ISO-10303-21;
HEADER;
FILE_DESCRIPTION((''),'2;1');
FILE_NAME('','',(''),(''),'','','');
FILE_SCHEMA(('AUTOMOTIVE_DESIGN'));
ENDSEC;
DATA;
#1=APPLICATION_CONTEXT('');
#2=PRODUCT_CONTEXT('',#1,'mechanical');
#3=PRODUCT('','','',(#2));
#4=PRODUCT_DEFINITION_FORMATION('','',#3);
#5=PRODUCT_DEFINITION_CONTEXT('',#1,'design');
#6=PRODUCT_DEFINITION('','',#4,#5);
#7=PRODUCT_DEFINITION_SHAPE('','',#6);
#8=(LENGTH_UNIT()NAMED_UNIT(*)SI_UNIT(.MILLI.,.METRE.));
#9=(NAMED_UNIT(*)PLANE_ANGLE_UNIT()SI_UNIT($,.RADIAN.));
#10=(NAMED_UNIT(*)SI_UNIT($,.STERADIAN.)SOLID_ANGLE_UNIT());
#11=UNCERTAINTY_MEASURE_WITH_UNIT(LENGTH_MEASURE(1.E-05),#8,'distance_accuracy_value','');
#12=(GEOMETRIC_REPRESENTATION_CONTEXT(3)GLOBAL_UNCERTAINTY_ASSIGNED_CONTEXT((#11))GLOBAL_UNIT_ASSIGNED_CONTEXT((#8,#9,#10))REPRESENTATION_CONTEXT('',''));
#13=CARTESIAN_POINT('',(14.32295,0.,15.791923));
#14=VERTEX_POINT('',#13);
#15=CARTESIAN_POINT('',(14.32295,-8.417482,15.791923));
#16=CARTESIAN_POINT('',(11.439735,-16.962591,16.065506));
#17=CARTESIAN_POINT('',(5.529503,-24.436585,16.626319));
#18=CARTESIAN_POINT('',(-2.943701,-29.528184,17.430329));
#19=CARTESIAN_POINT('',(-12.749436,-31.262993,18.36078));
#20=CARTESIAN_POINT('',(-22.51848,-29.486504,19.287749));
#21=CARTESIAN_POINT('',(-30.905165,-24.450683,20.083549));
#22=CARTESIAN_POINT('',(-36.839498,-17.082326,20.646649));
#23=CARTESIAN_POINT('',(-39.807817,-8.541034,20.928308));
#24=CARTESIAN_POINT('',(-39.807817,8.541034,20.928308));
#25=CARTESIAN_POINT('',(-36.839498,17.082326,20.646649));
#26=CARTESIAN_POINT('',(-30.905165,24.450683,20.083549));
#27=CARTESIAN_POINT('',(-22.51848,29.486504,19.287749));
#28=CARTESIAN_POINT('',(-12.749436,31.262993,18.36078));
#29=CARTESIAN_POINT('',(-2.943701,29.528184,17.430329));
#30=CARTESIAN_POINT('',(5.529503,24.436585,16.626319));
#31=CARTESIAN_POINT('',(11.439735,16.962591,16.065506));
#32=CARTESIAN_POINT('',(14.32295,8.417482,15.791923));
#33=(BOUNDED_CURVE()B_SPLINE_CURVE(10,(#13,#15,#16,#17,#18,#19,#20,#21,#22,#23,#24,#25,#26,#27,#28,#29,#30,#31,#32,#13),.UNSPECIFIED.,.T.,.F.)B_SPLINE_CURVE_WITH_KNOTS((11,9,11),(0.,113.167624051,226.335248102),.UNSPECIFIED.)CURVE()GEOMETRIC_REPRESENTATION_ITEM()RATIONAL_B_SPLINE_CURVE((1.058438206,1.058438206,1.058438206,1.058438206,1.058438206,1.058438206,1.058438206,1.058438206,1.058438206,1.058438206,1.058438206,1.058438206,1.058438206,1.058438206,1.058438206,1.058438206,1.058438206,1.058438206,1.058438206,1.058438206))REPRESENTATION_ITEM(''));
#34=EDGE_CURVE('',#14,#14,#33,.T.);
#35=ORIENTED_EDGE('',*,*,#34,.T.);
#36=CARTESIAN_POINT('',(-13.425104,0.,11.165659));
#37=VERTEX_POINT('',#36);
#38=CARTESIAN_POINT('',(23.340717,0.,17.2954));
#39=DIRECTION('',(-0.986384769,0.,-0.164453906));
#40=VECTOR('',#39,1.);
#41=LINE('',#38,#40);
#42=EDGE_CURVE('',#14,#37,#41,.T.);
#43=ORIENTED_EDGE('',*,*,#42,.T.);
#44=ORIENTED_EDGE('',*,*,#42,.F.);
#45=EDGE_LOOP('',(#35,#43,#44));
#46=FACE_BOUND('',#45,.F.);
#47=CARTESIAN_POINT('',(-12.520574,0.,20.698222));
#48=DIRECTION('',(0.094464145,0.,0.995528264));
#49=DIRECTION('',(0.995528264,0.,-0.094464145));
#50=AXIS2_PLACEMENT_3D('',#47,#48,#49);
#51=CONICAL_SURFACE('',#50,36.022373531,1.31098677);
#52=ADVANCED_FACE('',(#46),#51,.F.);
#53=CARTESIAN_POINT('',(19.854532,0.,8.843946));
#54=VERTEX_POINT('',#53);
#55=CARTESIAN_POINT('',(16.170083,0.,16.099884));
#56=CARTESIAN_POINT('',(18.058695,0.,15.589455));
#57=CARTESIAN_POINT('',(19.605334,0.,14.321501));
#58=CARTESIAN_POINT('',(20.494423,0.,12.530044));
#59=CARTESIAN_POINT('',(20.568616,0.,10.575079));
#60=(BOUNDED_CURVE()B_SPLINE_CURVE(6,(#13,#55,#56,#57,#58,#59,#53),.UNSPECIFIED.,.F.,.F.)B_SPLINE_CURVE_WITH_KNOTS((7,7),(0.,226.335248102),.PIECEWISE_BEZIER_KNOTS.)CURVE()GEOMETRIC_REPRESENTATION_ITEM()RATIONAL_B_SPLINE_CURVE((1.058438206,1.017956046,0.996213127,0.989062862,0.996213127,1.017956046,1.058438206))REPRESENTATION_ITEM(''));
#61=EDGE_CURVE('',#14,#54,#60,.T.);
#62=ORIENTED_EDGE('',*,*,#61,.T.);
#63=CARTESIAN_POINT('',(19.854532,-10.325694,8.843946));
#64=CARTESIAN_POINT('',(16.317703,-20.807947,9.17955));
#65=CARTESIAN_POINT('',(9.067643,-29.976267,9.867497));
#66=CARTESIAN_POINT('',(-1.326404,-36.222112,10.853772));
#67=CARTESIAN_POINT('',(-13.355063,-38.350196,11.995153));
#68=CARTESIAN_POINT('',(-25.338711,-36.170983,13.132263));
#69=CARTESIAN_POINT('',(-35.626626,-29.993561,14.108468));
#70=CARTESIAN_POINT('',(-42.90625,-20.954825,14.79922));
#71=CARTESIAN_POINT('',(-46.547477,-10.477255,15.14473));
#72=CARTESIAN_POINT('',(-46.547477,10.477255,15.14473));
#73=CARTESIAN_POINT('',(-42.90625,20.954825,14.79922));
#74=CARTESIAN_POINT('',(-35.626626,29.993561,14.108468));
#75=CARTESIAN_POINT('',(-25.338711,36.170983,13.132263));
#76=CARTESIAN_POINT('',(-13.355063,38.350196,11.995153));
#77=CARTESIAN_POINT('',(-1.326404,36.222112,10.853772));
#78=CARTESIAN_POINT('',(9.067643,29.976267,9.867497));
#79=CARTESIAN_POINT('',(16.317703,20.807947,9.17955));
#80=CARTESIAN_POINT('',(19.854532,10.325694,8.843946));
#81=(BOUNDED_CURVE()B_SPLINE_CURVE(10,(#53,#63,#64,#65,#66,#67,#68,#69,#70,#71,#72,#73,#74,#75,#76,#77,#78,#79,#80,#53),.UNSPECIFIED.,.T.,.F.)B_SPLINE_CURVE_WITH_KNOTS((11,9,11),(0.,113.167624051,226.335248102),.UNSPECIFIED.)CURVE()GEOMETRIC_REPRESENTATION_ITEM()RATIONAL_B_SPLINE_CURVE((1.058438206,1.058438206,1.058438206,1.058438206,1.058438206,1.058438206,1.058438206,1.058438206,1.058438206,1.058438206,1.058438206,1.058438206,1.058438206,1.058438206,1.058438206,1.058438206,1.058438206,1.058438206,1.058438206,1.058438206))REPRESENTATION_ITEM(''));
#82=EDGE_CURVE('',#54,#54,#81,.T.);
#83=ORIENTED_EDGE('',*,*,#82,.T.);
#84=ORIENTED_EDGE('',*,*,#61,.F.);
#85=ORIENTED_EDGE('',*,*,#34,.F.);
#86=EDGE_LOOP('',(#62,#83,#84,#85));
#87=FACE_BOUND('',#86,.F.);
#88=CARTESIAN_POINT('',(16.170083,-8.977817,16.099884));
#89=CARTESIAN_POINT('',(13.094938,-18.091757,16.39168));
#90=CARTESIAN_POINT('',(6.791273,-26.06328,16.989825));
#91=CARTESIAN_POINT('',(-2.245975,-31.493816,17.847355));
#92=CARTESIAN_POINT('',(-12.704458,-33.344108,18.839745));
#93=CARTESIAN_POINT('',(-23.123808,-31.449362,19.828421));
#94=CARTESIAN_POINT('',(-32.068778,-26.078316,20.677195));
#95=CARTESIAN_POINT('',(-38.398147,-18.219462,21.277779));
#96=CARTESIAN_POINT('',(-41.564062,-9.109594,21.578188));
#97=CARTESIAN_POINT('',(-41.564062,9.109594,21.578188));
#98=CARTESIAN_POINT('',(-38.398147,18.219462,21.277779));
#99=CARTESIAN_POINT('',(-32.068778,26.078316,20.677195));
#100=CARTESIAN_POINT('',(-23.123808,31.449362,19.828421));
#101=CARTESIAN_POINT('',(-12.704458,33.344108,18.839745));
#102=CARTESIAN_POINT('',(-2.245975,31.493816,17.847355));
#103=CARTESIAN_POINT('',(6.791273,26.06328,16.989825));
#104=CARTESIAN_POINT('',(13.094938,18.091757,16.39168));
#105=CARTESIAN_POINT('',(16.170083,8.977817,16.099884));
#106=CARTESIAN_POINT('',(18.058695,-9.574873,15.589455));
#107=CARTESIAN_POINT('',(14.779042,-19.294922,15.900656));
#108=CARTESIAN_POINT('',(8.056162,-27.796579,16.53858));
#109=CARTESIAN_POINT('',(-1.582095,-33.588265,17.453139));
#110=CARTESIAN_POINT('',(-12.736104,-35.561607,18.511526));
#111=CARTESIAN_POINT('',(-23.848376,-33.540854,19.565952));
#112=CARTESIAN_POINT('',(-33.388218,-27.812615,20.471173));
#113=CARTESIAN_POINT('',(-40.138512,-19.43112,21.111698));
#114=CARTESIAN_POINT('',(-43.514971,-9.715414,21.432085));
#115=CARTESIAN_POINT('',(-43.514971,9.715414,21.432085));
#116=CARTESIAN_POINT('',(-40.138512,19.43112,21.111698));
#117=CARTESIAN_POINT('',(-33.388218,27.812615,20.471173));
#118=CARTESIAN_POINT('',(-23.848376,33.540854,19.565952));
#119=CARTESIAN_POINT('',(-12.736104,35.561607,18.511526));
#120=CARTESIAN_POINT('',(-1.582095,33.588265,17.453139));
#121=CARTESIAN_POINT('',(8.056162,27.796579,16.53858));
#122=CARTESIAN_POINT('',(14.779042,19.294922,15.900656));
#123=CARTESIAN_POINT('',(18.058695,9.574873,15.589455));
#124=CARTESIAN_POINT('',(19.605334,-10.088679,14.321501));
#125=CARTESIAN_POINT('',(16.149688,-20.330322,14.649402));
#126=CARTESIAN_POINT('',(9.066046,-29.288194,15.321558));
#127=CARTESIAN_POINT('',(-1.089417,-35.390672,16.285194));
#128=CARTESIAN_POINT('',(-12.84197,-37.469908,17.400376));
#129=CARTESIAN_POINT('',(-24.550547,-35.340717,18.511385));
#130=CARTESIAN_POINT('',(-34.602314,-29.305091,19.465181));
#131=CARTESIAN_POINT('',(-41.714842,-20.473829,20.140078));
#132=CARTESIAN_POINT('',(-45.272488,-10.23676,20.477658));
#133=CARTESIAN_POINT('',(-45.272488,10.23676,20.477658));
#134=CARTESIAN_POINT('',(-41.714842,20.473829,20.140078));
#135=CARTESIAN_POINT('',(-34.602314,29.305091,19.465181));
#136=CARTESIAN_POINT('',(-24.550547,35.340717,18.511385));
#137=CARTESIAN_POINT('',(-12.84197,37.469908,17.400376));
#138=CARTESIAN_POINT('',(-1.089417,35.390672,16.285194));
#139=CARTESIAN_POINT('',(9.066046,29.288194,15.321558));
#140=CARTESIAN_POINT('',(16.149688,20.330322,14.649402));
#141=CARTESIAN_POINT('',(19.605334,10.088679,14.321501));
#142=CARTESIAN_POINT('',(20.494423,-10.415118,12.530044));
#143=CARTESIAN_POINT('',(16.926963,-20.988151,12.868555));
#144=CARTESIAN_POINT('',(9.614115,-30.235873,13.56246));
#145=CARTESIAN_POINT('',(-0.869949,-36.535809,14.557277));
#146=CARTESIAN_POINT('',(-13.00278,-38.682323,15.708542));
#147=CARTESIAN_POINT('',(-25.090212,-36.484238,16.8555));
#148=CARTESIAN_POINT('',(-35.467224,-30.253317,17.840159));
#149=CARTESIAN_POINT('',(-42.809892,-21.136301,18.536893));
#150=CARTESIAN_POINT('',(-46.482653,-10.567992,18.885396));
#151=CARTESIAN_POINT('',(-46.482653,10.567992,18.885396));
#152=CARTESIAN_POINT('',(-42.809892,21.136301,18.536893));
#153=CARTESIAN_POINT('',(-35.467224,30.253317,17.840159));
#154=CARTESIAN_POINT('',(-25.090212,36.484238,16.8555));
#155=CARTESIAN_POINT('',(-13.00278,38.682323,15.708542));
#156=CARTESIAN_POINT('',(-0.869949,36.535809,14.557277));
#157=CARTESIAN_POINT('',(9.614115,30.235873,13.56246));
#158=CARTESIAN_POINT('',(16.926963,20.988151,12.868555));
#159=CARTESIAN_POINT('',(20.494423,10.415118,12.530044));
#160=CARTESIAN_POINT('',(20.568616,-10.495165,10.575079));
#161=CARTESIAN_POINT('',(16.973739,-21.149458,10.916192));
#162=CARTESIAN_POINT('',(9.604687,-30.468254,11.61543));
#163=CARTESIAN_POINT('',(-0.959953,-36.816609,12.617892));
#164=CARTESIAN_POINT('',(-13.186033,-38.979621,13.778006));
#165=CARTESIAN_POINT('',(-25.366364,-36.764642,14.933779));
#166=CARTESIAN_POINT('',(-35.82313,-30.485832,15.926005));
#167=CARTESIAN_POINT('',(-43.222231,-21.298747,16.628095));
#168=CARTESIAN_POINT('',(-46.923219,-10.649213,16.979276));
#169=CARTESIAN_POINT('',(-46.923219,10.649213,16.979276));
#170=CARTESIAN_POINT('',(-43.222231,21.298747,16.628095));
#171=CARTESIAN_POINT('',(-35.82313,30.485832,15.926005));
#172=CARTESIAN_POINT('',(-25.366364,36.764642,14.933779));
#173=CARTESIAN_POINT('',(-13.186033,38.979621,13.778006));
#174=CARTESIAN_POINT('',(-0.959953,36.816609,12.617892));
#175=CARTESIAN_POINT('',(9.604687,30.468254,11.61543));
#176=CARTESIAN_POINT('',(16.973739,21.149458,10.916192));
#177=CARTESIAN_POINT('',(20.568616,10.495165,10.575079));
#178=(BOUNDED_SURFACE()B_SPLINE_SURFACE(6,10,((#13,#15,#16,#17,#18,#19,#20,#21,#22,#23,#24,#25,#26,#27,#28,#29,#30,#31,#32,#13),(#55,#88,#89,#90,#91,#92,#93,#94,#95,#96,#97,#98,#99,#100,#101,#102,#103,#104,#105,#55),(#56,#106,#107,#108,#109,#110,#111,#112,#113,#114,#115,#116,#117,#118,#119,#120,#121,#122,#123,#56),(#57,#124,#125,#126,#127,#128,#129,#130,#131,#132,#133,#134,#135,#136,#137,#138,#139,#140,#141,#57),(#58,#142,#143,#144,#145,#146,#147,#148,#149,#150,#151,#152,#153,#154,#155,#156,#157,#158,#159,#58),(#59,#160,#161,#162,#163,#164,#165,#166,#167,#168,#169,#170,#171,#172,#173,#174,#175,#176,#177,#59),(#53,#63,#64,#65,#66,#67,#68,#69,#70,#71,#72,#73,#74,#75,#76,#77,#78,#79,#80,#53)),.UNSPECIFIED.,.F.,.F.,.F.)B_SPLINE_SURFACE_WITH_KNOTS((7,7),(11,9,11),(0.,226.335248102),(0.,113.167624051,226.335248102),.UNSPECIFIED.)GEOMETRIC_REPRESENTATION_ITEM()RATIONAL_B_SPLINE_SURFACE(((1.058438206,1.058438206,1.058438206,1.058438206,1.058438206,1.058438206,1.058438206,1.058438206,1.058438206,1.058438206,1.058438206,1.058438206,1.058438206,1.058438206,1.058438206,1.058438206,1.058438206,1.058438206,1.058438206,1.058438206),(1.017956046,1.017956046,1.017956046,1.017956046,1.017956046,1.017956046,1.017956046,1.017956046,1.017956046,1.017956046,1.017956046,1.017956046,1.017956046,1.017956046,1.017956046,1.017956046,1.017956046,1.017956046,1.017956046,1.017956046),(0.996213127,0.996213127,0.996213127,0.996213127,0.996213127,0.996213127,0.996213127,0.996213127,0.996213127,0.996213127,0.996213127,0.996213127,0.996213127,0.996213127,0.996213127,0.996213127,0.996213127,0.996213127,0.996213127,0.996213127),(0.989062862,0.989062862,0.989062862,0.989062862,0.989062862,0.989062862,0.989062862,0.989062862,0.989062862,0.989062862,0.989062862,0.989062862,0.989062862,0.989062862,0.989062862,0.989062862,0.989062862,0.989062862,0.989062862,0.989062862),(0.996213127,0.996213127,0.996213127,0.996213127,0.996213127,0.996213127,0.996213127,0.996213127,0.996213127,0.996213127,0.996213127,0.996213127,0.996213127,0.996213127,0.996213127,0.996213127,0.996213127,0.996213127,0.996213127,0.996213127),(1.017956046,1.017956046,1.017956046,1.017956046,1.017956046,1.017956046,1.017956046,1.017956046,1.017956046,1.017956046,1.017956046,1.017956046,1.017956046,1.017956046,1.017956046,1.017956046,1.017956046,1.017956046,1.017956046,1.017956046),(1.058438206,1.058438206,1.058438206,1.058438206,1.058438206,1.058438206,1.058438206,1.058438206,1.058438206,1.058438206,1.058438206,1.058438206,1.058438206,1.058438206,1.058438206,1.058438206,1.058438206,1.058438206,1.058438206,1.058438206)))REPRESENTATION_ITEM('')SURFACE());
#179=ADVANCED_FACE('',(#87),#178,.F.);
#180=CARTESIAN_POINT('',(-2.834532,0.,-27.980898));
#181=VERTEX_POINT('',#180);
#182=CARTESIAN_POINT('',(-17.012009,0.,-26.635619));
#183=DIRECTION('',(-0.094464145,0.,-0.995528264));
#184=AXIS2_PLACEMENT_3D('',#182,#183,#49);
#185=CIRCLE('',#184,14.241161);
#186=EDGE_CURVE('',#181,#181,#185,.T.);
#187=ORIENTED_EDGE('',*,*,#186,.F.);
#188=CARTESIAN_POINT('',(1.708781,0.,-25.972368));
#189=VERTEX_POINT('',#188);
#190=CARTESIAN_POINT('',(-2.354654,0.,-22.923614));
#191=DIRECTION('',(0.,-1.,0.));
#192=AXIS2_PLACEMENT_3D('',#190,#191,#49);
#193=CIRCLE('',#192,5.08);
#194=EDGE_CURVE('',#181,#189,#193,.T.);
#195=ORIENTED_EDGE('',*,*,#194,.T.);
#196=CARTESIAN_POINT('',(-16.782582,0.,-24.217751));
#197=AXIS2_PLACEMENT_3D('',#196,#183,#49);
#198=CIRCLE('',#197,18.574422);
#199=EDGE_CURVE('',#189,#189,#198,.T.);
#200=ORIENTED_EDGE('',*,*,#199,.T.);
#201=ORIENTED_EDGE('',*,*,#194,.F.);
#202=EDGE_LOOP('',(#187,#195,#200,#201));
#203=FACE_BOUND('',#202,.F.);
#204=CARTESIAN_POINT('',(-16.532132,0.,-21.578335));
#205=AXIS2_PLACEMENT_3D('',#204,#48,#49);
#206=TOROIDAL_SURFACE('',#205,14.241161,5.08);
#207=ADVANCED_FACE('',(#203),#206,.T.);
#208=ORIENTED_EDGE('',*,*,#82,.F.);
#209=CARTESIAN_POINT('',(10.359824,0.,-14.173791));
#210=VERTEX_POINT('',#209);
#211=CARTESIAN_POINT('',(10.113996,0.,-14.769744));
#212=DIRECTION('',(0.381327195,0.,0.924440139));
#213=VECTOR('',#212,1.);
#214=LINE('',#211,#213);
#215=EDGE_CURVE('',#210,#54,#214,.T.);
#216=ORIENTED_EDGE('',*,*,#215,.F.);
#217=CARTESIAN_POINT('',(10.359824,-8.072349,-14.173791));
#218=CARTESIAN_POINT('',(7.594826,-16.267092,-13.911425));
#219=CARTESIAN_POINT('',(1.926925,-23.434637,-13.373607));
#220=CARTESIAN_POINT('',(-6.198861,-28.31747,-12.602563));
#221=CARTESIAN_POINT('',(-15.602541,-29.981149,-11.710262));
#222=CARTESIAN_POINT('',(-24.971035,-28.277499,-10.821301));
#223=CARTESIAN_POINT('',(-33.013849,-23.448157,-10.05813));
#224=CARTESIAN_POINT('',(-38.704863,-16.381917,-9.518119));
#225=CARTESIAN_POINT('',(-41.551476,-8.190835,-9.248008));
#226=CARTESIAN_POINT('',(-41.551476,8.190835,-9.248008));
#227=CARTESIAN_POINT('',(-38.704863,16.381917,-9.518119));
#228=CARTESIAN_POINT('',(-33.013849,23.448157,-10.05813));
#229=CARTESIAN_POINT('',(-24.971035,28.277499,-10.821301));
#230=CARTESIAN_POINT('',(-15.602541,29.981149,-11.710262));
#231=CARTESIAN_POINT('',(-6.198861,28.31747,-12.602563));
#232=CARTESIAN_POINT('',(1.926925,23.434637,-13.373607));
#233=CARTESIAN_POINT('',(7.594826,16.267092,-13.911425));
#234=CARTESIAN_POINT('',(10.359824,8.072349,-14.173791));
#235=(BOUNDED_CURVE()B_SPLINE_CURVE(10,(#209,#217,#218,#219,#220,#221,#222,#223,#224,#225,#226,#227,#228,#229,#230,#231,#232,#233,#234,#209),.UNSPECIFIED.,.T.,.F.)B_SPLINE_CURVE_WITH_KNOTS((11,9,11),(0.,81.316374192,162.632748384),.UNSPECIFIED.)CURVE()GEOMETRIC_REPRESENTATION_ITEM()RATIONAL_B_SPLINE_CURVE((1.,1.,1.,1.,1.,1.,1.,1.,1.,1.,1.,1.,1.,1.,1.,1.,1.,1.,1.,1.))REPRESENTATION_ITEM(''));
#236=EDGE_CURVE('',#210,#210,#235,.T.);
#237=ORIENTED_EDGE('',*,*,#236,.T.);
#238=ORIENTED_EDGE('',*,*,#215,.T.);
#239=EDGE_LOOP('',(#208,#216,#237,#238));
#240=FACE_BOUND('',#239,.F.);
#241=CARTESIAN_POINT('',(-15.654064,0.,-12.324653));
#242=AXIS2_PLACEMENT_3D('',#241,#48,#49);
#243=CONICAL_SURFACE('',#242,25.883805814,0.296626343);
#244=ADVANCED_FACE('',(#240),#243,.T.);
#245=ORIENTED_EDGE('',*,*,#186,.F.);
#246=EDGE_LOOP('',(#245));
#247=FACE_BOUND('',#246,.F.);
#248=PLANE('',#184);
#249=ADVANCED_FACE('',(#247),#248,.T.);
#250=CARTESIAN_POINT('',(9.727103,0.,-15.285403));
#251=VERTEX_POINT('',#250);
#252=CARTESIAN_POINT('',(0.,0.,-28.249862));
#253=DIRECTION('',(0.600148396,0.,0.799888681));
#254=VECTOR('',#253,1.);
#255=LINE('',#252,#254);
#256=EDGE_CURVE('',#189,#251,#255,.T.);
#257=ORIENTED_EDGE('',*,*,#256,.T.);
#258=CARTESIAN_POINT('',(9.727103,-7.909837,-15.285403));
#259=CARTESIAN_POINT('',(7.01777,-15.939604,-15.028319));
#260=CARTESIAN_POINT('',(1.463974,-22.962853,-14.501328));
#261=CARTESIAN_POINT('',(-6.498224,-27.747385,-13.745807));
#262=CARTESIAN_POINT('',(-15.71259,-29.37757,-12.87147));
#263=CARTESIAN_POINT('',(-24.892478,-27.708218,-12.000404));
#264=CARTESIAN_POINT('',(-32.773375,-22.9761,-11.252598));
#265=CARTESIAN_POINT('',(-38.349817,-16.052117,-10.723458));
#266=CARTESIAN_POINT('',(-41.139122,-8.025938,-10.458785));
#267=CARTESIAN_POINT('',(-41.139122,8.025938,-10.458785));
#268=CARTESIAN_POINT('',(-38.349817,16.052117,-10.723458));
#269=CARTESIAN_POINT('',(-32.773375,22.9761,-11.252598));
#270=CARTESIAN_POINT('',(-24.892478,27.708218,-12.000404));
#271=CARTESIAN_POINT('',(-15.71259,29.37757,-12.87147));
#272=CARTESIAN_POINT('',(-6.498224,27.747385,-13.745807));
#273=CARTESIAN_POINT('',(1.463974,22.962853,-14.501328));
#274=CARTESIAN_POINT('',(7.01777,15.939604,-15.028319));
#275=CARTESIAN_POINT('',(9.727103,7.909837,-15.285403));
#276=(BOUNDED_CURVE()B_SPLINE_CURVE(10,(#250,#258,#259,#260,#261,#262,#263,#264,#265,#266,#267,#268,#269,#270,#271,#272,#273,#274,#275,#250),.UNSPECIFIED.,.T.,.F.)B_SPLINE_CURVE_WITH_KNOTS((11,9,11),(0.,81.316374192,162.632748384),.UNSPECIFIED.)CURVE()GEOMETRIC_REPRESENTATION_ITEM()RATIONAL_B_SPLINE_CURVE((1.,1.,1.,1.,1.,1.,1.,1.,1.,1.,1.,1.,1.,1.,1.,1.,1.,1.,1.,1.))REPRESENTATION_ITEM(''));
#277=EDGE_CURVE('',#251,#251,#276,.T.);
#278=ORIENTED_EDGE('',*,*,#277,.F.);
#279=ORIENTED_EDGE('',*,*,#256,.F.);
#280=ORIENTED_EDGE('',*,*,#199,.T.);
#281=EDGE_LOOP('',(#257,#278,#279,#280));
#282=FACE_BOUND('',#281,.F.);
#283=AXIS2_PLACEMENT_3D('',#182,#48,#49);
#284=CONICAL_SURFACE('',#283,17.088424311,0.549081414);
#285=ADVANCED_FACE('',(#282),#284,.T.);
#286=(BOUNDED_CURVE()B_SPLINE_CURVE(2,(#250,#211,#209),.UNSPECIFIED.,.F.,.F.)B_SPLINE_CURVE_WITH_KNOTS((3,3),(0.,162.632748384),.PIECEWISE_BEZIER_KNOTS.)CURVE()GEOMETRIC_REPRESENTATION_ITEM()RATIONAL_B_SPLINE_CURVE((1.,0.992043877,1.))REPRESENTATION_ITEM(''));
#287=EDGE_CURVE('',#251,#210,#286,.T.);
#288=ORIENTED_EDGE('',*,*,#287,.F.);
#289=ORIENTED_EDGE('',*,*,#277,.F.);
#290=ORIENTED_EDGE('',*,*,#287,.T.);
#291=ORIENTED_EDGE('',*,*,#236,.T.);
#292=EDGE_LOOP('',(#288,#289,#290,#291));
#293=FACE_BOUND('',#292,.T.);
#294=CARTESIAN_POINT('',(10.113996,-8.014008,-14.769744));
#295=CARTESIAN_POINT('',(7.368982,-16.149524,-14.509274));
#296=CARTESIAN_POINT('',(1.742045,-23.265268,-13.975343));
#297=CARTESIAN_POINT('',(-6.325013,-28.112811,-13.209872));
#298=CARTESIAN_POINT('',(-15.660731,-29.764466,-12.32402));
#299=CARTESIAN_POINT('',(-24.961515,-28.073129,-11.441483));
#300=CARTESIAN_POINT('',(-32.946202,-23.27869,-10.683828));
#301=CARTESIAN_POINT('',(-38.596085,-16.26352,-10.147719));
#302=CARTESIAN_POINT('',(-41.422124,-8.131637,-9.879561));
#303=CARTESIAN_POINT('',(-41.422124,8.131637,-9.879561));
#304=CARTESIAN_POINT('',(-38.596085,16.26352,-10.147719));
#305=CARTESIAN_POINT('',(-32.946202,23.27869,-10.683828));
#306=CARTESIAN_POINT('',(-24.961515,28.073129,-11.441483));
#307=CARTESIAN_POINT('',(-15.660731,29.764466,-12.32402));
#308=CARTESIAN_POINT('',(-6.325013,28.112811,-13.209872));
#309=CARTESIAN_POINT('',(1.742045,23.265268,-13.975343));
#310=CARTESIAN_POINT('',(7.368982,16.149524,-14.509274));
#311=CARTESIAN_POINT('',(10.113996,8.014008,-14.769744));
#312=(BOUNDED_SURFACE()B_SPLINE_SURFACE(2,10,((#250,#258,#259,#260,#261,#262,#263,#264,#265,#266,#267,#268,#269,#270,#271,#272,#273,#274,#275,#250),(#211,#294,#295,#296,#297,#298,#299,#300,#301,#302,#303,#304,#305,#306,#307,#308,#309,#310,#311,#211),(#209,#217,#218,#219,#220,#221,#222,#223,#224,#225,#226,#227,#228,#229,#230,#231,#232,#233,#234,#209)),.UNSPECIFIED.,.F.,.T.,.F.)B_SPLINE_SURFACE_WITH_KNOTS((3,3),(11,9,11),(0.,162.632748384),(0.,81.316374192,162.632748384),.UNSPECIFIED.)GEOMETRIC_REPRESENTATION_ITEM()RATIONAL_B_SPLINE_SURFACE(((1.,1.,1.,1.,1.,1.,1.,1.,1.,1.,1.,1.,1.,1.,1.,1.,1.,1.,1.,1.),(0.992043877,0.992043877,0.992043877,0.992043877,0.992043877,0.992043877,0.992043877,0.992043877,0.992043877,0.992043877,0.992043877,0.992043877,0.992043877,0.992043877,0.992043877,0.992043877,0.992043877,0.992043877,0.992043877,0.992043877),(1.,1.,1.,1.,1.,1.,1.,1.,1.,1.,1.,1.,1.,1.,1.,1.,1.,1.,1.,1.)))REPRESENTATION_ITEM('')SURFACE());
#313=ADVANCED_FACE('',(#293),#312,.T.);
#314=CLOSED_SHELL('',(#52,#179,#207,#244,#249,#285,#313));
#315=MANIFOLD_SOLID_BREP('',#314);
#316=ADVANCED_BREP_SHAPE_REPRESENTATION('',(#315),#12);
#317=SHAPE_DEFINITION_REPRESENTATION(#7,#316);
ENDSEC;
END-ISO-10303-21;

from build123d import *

# Parameters (mm, degrees)
F2_R = 5.08


with BuildPart() as f1:
    # F0 (on Front) → F1 (revolve)
    with BuildSketch(Plane.XZ):
        Polygon((23.340716958, 17.2953996807), (-13.42510432, 11.1656589434), (-17.0120093971, -26.6356188804), (0, -28.2498622709), (10.1139964536, -14.769744128), align=None)
    revolve(axis=Axis((-15.2185568586, 0, -7.7349799685), (-0.0944641449, 0, -0.9955282645)))

    # F2
    f2_edges = [f1.edges().sort_by_distance(p)[0] for p in [
        (-34.024019, 0, -25.021375),
        (-41.422124, 0, -9.879561),
        (5.056998, 0, -21.509803),
        (-48.381865, 0, 24.101045),
        (16.727357, 0, 1.262828),
    ]]
    fillet(f2_edges, radius=F2_R)


solid = f1.part
